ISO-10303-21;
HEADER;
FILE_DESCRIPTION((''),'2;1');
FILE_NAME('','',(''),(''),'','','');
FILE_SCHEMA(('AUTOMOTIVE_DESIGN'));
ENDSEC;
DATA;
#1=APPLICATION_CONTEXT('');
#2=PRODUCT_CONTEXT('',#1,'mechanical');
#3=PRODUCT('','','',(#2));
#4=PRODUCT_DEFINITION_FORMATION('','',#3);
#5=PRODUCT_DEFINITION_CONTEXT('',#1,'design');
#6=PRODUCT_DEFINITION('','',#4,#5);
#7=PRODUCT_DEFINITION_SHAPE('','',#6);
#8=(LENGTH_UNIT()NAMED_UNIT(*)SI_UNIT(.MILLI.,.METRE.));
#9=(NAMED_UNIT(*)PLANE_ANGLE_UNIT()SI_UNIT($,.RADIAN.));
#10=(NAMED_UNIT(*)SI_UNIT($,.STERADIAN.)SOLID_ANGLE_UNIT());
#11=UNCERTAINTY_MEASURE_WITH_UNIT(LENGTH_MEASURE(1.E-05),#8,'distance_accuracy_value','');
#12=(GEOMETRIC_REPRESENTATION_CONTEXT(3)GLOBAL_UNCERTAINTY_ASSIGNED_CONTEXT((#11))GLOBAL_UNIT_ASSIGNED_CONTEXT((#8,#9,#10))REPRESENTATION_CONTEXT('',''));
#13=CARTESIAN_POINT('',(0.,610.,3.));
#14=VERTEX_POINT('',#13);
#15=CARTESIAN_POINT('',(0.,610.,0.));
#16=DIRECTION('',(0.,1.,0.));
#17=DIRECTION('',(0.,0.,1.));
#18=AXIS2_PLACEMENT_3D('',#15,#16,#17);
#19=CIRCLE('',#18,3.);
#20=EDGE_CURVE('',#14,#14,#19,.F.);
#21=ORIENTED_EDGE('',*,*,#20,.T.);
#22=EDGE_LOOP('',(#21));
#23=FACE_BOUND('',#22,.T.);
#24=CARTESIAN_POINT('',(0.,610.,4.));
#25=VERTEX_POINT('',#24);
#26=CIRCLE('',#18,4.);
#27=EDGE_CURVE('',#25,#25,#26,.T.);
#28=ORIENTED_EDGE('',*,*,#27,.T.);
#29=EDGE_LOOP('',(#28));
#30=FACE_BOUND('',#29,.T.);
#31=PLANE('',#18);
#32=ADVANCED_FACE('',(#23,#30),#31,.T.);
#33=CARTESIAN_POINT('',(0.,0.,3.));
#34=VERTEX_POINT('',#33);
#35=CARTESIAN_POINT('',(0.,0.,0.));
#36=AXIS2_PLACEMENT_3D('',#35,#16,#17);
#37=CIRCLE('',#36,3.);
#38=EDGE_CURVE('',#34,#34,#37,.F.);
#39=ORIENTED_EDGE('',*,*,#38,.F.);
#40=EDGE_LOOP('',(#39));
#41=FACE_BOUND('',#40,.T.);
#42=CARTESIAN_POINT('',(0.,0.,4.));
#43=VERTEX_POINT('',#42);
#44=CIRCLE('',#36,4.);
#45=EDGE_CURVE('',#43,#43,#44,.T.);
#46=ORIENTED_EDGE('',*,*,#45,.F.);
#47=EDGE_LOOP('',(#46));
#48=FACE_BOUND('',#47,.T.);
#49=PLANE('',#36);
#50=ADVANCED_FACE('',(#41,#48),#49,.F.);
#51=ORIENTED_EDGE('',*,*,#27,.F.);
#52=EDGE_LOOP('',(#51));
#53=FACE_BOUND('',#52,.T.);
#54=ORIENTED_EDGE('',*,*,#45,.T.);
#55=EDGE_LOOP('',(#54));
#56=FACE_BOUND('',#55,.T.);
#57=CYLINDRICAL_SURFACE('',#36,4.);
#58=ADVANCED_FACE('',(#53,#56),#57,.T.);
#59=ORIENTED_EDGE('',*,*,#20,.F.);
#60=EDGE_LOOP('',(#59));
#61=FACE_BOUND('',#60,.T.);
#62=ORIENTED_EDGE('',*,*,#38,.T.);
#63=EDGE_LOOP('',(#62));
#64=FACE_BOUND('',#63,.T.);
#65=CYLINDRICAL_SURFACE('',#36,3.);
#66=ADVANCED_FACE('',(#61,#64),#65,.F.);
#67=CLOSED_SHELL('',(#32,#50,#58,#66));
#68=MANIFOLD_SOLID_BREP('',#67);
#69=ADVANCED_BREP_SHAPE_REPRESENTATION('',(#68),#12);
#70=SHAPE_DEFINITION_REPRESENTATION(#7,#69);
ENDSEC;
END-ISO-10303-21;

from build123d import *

# Parameters (mm, degrees)
SKETCH2_R   = 4
SKETCH2_R_2 = 3


with BuildPart() as part:
    # Sweep1: sweep along a path in Sketch1
    with BuildLine(Plane.XY) as sweep1_path:
        Line((0, 0), (0, 610))
    # Sketch2 → Sweep1 (sweep)
    with BuildSketch(Plane(origin=(0, 0, 0), x_dir=(1, 0, 0), z_dir=(0, 1, 0))):
        Circle(SKETCH2_R)
        Circle(SKETCH2_R_2, mode=Mode.SUBTRACT)
    sweep(path=sweep1_path.line)


solid = part.part
